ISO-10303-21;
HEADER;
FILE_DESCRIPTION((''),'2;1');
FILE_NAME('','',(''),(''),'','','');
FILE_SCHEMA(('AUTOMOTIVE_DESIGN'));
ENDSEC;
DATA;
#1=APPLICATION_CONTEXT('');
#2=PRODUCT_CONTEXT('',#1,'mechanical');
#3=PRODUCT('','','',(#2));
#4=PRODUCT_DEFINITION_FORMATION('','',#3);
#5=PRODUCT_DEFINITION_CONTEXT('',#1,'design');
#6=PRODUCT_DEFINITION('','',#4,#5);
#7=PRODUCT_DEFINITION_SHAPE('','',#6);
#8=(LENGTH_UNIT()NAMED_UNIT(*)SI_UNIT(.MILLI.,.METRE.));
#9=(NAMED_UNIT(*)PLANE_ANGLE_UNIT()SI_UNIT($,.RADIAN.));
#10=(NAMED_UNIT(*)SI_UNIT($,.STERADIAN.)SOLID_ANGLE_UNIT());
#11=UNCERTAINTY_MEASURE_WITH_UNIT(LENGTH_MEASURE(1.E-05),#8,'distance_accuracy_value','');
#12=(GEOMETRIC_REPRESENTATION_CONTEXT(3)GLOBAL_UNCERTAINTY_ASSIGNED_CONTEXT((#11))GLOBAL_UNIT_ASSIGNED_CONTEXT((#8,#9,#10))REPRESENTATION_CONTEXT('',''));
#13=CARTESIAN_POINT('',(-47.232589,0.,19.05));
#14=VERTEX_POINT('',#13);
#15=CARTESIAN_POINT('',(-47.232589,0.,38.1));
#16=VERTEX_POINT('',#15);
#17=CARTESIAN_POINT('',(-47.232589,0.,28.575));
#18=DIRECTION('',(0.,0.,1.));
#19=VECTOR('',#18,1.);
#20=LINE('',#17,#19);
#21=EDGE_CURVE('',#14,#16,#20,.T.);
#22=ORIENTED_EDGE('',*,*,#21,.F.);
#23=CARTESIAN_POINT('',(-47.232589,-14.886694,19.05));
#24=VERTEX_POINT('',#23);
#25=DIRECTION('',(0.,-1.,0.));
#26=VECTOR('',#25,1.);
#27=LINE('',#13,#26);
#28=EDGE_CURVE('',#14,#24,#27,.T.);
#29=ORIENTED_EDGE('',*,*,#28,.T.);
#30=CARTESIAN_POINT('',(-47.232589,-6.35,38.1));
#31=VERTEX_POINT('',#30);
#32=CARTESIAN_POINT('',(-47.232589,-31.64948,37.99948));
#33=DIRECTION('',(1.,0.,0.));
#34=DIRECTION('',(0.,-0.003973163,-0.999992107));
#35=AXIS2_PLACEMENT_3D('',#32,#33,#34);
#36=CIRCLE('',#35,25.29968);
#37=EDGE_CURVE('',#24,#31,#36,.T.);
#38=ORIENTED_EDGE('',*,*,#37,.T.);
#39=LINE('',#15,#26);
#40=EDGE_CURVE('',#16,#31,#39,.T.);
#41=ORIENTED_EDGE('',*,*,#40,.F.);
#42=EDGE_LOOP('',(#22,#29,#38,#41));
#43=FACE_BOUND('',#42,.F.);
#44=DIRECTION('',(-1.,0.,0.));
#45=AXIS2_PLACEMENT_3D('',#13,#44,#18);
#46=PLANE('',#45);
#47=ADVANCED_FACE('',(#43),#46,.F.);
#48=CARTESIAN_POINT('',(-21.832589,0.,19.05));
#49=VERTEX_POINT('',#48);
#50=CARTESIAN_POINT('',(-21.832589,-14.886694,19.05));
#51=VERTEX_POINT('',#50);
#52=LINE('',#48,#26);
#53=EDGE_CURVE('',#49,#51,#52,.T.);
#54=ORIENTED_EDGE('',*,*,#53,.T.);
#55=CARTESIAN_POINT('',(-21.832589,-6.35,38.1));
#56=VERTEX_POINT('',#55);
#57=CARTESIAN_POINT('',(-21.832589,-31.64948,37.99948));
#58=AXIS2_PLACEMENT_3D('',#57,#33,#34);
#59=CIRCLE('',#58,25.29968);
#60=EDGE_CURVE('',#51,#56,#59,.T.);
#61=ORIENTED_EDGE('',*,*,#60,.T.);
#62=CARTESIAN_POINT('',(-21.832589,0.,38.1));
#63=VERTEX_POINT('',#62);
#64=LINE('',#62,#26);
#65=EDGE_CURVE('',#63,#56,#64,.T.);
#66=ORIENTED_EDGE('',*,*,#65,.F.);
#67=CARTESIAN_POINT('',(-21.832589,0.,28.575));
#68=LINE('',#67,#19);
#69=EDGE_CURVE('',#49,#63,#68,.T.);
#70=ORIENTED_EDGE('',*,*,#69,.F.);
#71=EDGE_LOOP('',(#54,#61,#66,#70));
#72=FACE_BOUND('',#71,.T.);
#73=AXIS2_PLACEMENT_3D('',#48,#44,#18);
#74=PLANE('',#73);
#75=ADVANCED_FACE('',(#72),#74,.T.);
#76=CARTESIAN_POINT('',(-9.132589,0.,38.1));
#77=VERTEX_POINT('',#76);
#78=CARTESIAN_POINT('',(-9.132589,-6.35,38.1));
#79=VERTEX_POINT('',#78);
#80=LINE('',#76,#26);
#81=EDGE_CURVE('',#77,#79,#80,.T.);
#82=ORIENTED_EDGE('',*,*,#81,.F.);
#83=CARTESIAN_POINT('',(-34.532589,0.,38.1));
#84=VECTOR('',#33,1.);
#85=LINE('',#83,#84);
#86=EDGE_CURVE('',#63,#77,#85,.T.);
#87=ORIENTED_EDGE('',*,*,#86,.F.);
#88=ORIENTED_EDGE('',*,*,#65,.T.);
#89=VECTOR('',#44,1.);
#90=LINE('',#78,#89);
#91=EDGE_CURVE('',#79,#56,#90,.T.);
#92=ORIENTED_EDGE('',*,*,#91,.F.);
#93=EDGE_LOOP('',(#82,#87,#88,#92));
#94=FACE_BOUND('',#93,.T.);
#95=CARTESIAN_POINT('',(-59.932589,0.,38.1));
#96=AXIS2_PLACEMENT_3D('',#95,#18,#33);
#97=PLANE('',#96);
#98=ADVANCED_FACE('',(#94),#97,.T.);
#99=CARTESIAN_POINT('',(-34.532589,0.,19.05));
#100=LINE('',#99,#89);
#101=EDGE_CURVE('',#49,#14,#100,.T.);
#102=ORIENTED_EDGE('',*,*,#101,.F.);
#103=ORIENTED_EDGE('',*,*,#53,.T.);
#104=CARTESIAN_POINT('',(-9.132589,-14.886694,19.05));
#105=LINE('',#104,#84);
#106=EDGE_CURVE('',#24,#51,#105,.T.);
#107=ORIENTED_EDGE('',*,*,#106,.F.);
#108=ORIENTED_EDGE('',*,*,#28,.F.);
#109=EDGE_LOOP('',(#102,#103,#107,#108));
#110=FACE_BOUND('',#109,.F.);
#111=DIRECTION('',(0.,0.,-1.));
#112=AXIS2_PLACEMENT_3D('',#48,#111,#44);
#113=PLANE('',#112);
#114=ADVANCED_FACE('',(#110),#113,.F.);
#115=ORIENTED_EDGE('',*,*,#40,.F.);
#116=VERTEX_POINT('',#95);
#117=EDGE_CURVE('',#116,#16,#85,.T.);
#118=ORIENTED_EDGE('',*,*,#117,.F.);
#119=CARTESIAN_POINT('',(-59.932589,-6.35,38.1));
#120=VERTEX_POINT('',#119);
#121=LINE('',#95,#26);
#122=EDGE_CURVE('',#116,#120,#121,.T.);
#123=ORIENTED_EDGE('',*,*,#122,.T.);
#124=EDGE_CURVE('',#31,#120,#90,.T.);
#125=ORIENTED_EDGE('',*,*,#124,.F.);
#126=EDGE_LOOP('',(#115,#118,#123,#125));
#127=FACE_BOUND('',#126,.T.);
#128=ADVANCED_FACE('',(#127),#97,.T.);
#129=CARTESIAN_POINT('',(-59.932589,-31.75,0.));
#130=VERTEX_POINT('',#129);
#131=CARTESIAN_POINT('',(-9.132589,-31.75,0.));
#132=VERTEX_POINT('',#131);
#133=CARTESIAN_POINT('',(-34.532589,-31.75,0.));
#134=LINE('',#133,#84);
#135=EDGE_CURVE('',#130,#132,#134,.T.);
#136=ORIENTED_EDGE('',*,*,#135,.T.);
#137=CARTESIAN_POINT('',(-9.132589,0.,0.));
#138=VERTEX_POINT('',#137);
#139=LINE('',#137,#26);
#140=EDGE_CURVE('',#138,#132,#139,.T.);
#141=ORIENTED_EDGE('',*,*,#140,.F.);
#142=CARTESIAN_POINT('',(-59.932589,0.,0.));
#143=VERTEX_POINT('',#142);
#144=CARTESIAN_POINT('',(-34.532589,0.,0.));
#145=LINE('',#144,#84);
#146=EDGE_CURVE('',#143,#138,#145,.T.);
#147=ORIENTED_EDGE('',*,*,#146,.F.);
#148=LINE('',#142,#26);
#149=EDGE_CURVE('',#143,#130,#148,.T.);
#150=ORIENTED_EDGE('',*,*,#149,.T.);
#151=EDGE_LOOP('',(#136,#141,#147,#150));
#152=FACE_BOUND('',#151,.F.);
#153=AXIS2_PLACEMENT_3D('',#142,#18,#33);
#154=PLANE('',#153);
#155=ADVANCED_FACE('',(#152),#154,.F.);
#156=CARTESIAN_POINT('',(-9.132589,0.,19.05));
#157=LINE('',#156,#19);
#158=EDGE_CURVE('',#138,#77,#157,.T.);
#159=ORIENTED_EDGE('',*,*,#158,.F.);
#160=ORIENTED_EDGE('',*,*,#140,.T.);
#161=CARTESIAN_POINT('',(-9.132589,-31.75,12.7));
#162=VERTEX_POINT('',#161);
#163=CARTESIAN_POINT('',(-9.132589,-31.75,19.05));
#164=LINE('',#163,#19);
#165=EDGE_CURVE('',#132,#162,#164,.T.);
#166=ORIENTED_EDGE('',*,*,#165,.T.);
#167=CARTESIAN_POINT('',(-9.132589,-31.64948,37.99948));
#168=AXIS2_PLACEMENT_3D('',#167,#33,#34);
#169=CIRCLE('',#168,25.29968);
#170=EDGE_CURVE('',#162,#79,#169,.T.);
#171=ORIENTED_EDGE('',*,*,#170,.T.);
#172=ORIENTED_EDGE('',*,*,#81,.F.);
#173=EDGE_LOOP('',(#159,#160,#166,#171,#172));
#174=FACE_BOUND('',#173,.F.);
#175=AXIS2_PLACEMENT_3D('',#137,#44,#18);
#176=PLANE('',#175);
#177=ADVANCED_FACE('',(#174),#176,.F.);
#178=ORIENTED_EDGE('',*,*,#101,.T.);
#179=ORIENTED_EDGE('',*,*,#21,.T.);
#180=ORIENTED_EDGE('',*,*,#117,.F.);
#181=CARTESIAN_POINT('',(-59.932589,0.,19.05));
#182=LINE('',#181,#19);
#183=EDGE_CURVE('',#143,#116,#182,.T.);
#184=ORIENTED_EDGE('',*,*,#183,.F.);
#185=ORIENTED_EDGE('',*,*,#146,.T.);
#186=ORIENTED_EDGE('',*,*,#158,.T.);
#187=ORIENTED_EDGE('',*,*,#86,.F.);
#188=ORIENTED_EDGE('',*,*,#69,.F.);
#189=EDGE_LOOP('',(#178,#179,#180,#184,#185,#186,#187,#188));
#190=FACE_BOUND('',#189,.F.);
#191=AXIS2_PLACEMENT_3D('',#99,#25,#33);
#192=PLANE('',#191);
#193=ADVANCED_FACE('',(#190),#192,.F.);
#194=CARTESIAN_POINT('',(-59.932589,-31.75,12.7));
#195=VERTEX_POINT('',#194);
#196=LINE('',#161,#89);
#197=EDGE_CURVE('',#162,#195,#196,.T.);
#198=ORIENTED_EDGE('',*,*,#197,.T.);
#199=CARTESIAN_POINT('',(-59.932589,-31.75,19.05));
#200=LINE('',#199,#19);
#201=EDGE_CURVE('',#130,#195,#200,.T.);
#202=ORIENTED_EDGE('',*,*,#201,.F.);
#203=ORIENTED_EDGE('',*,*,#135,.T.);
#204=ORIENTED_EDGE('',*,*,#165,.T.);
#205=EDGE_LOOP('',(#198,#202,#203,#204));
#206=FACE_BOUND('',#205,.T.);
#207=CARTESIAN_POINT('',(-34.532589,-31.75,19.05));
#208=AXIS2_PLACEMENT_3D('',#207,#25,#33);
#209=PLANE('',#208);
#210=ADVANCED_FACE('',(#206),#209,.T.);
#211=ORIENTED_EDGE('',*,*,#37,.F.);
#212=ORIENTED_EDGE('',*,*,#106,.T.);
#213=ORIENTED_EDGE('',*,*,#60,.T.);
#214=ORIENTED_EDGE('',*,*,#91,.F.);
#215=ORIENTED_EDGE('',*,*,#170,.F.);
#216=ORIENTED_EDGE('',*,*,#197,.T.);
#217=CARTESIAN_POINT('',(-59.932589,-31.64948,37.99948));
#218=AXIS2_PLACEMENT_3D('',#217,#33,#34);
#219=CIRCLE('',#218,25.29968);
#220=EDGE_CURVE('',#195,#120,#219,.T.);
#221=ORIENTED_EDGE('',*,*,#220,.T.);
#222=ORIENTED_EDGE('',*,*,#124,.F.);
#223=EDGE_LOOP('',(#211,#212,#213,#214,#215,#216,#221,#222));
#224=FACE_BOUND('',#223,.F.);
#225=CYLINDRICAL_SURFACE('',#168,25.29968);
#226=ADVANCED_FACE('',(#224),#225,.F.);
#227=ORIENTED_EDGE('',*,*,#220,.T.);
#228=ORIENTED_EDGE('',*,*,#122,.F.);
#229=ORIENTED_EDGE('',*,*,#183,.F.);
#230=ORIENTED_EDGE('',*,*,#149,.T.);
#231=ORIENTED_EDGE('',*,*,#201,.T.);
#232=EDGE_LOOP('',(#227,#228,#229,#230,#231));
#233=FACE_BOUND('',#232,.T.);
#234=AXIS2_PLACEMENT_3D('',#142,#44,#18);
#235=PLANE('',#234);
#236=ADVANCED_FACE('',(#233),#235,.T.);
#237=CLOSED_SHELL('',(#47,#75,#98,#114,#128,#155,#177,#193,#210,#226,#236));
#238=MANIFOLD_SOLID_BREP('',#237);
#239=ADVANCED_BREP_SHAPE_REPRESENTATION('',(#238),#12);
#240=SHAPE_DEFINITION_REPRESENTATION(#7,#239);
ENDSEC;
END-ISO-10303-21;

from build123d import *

# Parameters (mm, degrees)
F0_W     = 50.8
F0_H     = 38.1
F1_DEPTH = 31.75
F3_DEPTH = 50.8
F4_W     = 25.4
F4_H     = 19.05
F5_DEPTH = 50.8


with BuildPart() as f1:
    # F0 (on Front) → F1 (new body)
    with BuildSketch(Plane.XZ):
        with Locations((-34.532589, 19.05)):
            Rectangle(F0_W, F0_H)
    extrude(amount=F1_DEPTH)

    # F2 (on face) → F3 (cut)
    with BuildSketch(Plane.YZ.offset(-9.132589)):
        with BuildLine():
            Line((-31.75, 38.1), (-31.75, 12.7))
            ThreePointArc((-31.75, 12.7), (-13.759905, 20.109905), (-6.35, 38.1))
            Line((-6.35, 38.1), (-31.75, 38.1))
        make_face()
    extrude(amount=-F3_DEPTH, mode=Mode.SUBTRACT)

    # F4 (on face) → F5 (cut)
    with BuildSketch(Plane(origin=(0, 0, 0), x_dir=(-1, 0, 0), z_dir=(0, 1, 0))):
        with Locations((34.532589, 28.575)):
            Rectangle(F4_W, F4_H)
    extrude(amount=-F5_DEPTH, mode=Mode.SUBTRACT)


solid = f1.part
